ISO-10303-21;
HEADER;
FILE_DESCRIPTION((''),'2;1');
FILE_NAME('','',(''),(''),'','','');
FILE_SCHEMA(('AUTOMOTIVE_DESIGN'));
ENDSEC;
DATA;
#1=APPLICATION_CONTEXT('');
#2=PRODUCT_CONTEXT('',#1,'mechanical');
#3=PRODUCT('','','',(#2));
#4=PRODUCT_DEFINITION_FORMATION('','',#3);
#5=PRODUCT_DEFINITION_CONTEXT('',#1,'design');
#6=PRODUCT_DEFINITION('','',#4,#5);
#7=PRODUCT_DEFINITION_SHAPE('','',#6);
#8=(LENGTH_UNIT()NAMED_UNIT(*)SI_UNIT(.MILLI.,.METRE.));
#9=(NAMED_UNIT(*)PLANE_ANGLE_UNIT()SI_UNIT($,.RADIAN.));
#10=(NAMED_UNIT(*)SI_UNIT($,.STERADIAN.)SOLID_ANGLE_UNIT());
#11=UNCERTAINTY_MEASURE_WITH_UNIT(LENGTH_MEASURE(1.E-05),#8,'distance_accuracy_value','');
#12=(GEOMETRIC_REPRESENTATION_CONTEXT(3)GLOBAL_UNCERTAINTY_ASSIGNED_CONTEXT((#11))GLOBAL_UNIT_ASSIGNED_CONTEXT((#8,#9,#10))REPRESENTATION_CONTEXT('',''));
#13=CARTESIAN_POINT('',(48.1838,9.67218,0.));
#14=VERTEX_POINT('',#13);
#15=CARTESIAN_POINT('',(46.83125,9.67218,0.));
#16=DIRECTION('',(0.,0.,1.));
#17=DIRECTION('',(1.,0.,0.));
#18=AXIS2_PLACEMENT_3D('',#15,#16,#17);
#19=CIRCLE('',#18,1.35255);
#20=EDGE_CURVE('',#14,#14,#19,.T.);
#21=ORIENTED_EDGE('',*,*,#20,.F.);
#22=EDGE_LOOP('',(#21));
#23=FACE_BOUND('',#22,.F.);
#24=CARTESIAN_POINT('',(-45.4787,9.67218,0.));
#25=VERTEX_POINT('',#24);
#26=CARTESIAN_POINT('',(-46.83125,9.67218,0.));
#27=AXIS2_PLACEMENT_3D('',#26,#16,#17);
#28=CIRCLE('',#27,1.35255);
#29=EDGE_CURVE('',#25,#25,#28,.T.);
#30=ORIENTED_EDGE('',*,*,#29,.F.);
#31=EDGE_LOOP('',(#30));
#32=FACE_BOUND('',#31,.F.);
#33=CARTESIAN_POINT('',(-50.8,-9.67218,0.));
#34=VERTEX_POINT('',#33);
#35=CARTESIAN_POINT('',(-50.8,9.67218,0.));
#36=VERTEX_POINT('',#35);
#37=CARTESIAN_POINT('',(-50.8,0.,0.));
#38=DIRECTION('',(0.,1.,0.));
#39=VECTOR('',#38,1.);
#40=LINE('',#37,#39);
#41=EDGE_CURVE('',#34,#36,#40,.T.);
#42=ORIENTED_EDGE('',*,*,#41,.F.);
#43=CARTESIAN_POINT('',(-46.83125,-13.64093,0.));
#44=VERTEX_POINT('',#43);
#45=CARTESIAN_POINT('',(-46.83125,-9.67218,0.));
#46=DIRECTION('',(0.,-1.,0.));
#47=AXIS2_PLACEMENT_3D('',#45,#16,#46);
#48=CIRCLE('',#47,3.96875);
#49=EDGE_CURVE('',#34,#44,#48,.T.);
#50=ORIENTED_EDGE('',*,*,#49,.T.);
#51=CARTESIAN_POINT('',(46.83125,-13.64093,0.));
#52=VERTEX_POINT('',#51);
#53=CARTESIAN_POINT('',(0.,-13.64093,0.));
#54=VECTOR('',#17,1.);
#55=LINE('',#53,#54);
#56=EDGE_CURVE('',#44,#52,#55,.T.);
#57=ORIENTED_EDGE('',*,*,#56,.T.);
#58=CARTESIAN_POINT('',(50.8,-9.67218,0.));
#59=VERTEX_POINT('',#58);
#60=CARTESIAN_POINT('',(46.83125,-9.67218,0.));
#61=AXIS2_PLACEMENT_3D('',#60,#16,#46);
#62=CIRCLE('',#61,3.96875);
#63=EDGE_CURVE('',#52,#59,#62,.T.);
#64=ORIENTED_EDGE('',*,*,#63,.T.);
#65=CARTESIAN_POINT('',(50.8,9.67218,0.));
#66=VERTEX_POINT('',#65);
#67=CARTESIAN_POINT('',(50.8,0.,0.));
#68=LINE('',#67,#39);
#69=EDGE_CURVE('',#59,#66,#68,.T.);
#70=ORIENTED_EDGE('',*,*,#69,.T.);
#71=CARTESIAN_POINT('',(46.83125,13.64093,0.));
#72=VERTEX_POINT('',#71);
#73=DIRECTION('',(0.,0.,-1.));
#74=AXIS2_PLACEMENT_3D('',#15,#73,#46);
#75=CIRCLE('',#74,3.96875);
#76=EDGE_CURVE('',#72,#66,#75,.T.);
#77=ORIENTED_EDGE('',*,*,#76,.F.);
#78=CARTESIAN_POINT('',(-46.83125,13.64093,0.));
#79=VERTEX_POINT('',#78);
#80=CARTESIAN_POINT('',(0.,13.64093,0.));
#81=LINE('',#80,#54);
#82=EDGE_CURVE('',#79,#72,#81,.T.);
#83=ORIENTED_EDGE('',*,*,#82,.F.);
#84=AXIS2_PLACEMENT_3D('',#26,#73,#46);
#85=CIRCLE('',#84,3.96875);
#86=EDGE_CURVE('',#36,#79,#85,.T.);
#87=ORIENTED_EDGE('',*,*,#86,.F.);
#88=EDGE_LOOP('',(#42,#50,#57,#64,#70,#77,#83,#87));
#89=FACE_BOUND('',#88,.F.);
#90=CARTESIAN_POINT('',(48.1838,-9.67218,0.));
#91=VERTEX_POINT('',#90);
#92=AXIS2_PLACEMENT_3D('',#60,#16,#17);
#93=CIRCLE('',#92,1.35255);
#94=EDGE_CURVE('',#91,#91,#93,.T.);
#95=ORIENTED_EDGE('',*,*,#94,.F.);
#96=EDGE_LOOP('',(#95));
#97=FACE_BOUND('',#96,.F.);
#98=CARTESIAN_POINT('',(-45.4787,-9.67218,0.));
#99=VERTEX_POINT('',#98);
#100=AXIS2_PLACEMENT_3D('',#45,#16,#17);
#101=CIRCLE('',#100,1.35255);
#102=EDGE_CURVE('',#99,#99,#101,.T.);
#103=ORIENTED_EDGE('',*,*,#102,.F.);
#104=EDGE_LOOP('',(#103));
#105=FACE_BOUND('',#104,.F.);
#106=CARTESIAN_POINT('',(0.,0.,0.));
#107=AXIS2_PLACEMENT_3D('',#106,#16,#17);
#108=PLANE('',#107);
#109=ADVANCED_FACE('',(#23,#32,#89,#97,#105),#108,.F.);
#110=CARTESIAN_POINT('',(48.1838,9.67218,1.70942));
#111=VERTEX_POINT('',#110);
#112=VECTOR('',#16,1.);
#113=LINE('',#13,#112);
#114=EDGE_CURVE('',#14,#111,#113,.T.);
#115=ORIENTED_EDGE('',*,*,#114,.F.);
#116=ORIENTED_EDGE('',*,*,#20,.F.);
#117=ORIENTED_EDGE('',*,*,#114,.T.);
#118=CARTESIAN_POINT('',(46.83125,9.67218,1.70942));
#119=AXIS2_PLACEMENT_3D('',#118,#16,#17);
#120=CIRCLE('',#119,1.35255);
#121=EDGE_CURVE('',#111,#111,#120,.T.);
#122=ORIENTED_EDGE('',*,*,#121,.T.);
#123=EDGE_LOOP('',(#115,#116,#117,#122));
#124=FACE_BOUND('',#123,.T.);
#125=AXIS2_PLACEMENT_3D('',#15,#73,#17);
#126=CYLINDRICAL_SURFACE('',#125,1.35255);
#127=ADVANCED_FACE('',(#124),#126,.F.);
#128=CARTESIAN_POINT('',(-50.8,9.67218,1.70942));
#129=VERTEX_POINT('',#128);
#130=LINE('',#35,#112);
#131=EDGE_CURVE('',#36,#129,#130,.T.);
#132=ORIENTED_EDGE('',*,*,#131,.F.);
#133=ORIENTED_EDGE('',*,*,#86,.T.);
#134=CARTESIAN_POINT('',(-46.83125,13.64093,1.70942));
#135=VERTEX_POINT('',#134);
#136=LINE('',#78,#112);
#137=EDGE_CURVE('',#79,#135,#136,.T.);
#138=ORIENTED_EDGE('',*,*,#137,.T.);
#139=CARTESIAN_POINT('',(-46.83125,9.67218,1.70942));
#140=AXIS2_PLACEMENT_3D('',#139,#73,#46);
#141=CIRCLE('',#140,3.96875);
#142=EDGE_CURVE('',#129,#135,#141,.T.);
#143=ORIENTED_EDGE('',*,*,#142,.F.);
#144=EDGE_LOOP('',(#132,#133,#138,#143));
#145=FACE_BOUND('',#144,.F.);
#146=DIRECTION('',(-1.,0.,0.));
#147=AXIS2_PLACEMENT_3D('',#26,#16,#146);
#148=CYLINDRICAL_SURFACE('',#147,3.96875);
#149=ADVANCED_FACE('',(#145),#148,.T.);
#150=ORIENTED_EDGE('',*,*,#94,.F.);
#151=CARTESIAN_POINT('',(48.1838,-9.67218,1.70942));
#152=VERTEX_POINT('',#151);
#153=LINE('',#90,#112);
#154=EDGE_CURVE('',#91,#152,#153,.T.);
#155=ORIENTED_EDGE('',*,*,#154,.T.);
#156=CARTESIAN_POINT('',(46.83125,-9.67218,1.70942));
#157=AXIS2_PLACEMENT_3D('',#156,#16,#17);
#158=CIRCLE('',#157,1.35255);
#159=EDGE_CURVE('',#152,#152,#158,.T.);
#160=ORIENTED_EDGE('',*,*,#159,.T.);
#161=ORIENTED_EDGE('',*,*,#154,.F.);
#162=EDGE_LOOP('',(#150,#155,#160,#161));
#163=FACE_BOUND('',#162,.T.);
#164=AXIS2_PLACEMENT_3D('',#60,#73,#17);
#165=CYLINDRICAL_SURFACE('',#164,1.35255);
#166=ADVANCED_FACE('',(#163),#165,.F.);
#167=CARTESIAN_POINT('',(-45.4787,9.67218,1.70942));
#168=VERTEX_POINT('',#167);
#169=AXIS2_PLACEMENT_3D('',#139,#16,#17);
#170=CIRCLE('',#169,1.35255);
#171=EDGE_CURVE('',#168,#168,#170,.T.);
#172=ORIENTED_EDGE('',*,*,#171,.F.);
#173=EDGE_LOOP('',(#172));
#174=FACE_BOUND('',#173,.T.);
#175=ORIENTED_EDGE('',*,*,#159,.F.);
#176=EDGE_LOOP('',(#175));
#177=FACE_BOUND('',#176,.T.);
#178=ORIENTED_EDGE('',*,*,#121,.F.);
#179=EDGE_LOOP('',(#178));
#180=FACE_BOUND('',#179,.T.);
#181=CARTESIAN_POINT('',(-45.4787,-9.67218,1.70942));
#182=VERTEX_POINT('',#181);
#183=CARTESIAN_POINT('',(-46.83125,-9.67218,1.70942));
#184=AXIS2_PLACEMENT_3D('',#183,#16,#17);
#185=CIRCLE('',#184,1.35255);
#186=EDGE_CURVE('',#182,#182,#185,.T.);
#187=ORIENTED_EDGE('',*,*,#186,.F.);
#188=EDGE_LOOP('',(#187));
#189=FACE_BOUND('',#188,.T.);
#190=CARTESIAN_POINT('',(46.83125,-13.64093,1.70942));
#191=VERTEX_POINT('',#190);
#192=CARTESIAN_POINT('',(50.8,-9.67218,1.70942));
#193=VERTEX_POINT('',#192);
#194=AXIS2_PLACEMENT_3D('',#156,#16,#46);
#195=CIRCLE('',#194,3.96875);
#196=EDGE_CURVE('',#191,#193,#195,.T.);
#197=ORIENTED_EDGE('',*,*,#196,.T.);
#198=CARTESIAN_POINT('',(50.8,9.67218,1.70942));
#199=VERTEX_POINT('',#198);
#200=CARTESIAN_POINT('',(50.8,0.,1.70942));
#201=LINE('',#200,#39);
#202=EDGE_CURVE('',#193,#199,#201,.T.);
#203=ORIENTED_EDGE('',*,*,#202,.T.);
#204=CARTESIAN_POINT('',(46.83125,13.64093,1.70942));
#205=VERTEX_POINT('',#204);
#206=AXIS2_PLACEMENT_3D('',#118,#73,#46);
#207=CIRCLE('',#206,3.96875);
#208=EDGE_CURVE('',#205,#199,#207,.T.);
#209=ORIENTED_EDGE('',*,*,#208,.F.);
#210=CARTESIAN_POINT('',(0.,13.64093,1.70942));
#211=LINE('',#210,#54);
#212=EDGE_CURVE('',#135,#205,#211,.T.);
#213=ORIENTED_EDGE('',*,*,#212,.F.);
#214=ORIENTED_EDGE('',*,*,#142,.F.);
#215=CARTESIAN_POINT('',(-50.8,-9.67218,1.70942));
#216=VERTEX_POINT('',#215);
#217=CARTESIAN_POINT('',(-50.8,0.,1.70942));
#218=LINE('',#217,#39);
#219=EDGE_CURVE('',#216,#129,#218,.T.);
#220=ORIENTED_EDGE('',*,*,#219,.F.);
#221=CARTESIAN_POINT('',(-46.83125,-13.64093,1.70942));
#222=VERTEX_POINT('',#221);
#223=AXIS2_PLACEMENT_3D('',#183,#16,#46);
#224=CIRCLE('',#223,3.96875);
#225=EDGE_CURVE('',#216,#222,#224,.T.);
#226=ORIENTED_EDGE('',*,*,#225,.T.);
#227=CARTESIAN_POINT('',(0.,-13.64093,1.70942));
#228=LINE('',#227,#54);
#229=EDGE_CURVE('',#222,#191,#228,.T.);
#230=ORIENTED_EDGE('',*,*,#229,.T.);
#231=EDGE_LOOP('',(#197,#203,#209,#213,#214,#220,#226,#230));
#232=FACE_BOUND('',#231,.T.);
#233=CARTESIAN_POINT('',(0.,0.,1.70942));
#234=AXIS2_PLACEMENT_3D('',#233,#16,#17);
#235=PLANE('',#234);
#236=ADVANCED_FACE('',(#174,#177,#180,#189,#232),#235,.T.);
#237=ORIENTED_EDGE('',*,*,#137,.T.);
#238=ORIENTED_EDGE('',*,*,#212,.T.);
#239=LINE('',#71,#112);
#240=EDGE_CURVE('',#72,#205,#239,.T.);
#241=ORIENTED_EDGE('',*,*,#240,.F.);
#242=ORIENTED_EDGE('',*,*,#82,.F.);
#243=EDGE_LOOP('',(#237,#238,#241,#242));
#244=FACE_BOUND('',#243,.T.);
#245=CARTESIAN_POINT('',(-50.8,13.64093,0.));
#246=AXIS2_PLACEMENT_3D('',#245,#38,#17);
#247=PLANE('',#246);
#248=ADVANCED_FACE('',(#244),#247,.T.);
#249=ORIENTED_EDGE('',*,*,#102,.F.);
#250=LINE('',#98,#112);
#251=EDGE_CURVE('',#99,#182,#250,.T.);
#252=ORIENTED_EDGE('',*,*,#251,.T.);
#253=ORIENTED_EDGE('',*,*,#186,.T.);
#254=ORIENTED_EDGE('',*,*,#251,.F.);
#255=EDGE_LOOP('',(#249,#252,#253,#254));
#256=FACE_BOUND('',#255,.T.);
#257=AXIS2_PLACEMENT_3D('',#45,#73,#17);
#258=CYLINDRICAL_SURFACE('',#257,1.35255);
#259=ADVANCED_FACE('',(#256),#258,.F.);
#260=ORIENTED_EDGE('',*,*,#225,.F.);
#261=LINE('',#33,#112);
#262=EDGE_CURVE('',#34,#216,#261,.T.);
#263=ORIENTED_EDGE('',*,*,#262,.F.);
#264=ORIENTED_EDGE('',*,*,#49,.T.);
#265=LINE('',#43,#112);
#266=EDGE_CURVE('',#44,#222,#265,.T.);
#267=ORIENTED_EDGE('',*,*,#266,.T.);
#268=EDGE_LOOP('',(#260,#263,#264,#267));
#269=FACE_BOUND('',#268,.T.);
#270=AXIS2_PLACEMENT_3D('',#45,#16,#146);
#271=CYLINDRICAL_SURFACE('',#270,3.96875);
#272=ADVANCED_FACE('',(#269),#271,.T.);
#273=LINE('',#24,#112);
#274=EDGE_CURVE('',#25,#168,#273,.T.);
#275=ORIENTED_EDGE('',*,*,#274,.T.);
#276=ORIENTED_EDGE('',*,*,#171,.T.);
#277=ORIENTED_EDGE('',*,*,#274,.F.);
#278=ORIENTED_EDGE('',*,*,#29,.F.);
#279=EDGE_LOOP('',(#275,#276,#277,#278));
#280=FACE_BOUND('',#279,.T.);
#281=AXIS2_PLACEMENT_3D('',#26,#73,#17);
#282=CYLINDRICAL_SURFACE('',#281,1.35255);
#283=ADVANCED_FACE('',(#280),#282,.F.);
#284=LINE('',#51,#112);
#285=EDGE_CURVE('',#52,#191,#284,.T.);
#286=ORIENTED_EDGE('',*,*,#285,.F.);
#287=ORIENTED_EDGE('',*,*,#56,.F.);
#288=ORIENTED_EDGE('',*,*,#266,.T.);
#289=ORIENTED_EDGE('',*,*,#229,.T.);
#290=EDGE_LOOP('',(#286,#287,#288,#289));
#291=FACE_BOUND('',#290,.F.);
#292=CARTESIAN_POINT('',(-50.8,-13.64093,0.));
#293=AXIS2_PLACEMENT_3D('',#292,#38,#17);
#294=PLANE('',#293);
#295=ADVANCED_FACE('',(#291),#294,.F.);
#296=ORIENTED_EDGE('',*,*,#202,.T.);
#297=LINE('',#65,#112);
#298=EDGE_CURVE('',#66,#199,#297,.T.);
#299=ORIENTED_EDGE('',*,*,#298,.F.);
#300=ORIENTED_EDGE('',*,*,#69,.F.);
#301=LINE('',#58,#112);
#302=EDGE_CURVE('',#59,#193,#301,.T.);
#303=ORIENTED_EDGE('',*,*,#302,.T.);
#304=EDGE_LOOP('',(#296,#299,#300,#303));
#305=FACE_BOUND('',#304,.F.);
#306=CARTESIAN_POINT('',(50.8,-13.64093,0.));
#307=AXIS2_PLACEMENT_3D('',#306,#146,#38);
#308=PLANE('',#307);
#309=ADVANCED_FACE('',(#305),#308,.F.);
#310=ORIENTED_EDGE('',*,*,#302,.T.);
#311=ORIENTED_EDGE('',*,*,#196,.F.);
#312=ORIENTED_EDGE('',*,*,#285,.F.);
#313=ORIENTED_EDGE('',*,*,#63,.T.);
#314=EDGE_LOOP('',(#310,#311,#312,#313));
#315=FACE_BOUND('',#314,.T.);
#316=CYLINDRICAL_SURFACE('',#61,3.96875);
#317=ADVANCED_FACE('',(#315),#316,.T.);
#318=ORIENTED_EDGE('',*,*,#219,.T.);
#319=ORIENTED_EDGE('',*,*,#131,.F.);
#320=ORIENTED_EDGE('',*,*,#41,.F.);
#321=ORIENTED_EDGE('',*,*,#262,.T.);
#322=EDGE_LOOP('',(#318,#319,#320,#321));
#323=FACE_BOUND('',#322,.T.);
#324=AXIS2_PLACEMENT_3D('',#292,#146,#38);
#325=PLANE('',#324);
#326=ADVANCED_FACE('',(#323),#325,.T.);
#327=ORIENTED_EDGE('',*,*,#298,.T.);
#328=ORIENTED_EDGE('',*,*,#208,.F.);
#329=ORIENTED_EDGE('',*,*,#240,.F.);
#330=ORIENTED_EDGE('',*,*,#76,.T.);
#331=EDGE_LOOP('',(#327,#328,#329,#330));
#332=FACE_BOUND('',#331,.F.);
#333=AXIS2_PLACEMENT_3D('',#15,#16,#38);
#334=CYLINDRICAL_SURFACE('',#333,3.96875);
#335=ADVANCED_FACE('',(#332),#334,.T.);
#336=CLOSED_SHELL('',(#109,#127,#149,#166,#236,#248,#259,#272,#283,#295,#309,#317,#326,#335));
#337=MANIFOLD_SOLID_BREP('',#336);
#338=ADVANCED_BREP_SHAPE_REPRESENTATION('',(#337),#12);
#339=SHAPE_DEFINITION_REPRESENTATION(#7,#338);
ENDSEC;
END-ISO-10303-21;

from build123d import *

# Parameters (mm, degrees)
F0_W     = 101.6
F0_H     = 27.28186
F0_R     = 1.35255
F1_DEPTH = 1.70942
F2_R     = 3.96875


with BuildPart() as f1:
    # F0 (on Top) → F1 (new body)
    with BuildSketch(Plane.XY):
        Rectangle(F0_W, F0_H)
        with Locations((-46.83125, -9.67218)):
            Circle(F0_R, mode=Mode.SUBTRACT)
        with Locations((46.83125, -9.67218)):
            Circle(F0_R, mode=Mode.SUBTRACT)
        with Locations((-46.83125, 9.67218)):
            Circle(F0_R, mode=Mode.SUBTRACT)
        with Locations((46.83125, 9.67218)):
            Circle(F0_R, mode=Mode.SUBTRACT)
    extrude(amount=F1_DEPTH)

    # F2
    f2_edges = [f1.edges().sort_by_distance(p)[0] for p in [
        (-50.8, 13.64093, 0.85471),
        (-50.8, -13.64093, 0.85471),
        (50.8, -13.64093, 0.85471),
        (50.8, 13.64093, 0.85471),
    ]]
    fillet(f2_edges, radius=F2_R)


solid = f1.part
